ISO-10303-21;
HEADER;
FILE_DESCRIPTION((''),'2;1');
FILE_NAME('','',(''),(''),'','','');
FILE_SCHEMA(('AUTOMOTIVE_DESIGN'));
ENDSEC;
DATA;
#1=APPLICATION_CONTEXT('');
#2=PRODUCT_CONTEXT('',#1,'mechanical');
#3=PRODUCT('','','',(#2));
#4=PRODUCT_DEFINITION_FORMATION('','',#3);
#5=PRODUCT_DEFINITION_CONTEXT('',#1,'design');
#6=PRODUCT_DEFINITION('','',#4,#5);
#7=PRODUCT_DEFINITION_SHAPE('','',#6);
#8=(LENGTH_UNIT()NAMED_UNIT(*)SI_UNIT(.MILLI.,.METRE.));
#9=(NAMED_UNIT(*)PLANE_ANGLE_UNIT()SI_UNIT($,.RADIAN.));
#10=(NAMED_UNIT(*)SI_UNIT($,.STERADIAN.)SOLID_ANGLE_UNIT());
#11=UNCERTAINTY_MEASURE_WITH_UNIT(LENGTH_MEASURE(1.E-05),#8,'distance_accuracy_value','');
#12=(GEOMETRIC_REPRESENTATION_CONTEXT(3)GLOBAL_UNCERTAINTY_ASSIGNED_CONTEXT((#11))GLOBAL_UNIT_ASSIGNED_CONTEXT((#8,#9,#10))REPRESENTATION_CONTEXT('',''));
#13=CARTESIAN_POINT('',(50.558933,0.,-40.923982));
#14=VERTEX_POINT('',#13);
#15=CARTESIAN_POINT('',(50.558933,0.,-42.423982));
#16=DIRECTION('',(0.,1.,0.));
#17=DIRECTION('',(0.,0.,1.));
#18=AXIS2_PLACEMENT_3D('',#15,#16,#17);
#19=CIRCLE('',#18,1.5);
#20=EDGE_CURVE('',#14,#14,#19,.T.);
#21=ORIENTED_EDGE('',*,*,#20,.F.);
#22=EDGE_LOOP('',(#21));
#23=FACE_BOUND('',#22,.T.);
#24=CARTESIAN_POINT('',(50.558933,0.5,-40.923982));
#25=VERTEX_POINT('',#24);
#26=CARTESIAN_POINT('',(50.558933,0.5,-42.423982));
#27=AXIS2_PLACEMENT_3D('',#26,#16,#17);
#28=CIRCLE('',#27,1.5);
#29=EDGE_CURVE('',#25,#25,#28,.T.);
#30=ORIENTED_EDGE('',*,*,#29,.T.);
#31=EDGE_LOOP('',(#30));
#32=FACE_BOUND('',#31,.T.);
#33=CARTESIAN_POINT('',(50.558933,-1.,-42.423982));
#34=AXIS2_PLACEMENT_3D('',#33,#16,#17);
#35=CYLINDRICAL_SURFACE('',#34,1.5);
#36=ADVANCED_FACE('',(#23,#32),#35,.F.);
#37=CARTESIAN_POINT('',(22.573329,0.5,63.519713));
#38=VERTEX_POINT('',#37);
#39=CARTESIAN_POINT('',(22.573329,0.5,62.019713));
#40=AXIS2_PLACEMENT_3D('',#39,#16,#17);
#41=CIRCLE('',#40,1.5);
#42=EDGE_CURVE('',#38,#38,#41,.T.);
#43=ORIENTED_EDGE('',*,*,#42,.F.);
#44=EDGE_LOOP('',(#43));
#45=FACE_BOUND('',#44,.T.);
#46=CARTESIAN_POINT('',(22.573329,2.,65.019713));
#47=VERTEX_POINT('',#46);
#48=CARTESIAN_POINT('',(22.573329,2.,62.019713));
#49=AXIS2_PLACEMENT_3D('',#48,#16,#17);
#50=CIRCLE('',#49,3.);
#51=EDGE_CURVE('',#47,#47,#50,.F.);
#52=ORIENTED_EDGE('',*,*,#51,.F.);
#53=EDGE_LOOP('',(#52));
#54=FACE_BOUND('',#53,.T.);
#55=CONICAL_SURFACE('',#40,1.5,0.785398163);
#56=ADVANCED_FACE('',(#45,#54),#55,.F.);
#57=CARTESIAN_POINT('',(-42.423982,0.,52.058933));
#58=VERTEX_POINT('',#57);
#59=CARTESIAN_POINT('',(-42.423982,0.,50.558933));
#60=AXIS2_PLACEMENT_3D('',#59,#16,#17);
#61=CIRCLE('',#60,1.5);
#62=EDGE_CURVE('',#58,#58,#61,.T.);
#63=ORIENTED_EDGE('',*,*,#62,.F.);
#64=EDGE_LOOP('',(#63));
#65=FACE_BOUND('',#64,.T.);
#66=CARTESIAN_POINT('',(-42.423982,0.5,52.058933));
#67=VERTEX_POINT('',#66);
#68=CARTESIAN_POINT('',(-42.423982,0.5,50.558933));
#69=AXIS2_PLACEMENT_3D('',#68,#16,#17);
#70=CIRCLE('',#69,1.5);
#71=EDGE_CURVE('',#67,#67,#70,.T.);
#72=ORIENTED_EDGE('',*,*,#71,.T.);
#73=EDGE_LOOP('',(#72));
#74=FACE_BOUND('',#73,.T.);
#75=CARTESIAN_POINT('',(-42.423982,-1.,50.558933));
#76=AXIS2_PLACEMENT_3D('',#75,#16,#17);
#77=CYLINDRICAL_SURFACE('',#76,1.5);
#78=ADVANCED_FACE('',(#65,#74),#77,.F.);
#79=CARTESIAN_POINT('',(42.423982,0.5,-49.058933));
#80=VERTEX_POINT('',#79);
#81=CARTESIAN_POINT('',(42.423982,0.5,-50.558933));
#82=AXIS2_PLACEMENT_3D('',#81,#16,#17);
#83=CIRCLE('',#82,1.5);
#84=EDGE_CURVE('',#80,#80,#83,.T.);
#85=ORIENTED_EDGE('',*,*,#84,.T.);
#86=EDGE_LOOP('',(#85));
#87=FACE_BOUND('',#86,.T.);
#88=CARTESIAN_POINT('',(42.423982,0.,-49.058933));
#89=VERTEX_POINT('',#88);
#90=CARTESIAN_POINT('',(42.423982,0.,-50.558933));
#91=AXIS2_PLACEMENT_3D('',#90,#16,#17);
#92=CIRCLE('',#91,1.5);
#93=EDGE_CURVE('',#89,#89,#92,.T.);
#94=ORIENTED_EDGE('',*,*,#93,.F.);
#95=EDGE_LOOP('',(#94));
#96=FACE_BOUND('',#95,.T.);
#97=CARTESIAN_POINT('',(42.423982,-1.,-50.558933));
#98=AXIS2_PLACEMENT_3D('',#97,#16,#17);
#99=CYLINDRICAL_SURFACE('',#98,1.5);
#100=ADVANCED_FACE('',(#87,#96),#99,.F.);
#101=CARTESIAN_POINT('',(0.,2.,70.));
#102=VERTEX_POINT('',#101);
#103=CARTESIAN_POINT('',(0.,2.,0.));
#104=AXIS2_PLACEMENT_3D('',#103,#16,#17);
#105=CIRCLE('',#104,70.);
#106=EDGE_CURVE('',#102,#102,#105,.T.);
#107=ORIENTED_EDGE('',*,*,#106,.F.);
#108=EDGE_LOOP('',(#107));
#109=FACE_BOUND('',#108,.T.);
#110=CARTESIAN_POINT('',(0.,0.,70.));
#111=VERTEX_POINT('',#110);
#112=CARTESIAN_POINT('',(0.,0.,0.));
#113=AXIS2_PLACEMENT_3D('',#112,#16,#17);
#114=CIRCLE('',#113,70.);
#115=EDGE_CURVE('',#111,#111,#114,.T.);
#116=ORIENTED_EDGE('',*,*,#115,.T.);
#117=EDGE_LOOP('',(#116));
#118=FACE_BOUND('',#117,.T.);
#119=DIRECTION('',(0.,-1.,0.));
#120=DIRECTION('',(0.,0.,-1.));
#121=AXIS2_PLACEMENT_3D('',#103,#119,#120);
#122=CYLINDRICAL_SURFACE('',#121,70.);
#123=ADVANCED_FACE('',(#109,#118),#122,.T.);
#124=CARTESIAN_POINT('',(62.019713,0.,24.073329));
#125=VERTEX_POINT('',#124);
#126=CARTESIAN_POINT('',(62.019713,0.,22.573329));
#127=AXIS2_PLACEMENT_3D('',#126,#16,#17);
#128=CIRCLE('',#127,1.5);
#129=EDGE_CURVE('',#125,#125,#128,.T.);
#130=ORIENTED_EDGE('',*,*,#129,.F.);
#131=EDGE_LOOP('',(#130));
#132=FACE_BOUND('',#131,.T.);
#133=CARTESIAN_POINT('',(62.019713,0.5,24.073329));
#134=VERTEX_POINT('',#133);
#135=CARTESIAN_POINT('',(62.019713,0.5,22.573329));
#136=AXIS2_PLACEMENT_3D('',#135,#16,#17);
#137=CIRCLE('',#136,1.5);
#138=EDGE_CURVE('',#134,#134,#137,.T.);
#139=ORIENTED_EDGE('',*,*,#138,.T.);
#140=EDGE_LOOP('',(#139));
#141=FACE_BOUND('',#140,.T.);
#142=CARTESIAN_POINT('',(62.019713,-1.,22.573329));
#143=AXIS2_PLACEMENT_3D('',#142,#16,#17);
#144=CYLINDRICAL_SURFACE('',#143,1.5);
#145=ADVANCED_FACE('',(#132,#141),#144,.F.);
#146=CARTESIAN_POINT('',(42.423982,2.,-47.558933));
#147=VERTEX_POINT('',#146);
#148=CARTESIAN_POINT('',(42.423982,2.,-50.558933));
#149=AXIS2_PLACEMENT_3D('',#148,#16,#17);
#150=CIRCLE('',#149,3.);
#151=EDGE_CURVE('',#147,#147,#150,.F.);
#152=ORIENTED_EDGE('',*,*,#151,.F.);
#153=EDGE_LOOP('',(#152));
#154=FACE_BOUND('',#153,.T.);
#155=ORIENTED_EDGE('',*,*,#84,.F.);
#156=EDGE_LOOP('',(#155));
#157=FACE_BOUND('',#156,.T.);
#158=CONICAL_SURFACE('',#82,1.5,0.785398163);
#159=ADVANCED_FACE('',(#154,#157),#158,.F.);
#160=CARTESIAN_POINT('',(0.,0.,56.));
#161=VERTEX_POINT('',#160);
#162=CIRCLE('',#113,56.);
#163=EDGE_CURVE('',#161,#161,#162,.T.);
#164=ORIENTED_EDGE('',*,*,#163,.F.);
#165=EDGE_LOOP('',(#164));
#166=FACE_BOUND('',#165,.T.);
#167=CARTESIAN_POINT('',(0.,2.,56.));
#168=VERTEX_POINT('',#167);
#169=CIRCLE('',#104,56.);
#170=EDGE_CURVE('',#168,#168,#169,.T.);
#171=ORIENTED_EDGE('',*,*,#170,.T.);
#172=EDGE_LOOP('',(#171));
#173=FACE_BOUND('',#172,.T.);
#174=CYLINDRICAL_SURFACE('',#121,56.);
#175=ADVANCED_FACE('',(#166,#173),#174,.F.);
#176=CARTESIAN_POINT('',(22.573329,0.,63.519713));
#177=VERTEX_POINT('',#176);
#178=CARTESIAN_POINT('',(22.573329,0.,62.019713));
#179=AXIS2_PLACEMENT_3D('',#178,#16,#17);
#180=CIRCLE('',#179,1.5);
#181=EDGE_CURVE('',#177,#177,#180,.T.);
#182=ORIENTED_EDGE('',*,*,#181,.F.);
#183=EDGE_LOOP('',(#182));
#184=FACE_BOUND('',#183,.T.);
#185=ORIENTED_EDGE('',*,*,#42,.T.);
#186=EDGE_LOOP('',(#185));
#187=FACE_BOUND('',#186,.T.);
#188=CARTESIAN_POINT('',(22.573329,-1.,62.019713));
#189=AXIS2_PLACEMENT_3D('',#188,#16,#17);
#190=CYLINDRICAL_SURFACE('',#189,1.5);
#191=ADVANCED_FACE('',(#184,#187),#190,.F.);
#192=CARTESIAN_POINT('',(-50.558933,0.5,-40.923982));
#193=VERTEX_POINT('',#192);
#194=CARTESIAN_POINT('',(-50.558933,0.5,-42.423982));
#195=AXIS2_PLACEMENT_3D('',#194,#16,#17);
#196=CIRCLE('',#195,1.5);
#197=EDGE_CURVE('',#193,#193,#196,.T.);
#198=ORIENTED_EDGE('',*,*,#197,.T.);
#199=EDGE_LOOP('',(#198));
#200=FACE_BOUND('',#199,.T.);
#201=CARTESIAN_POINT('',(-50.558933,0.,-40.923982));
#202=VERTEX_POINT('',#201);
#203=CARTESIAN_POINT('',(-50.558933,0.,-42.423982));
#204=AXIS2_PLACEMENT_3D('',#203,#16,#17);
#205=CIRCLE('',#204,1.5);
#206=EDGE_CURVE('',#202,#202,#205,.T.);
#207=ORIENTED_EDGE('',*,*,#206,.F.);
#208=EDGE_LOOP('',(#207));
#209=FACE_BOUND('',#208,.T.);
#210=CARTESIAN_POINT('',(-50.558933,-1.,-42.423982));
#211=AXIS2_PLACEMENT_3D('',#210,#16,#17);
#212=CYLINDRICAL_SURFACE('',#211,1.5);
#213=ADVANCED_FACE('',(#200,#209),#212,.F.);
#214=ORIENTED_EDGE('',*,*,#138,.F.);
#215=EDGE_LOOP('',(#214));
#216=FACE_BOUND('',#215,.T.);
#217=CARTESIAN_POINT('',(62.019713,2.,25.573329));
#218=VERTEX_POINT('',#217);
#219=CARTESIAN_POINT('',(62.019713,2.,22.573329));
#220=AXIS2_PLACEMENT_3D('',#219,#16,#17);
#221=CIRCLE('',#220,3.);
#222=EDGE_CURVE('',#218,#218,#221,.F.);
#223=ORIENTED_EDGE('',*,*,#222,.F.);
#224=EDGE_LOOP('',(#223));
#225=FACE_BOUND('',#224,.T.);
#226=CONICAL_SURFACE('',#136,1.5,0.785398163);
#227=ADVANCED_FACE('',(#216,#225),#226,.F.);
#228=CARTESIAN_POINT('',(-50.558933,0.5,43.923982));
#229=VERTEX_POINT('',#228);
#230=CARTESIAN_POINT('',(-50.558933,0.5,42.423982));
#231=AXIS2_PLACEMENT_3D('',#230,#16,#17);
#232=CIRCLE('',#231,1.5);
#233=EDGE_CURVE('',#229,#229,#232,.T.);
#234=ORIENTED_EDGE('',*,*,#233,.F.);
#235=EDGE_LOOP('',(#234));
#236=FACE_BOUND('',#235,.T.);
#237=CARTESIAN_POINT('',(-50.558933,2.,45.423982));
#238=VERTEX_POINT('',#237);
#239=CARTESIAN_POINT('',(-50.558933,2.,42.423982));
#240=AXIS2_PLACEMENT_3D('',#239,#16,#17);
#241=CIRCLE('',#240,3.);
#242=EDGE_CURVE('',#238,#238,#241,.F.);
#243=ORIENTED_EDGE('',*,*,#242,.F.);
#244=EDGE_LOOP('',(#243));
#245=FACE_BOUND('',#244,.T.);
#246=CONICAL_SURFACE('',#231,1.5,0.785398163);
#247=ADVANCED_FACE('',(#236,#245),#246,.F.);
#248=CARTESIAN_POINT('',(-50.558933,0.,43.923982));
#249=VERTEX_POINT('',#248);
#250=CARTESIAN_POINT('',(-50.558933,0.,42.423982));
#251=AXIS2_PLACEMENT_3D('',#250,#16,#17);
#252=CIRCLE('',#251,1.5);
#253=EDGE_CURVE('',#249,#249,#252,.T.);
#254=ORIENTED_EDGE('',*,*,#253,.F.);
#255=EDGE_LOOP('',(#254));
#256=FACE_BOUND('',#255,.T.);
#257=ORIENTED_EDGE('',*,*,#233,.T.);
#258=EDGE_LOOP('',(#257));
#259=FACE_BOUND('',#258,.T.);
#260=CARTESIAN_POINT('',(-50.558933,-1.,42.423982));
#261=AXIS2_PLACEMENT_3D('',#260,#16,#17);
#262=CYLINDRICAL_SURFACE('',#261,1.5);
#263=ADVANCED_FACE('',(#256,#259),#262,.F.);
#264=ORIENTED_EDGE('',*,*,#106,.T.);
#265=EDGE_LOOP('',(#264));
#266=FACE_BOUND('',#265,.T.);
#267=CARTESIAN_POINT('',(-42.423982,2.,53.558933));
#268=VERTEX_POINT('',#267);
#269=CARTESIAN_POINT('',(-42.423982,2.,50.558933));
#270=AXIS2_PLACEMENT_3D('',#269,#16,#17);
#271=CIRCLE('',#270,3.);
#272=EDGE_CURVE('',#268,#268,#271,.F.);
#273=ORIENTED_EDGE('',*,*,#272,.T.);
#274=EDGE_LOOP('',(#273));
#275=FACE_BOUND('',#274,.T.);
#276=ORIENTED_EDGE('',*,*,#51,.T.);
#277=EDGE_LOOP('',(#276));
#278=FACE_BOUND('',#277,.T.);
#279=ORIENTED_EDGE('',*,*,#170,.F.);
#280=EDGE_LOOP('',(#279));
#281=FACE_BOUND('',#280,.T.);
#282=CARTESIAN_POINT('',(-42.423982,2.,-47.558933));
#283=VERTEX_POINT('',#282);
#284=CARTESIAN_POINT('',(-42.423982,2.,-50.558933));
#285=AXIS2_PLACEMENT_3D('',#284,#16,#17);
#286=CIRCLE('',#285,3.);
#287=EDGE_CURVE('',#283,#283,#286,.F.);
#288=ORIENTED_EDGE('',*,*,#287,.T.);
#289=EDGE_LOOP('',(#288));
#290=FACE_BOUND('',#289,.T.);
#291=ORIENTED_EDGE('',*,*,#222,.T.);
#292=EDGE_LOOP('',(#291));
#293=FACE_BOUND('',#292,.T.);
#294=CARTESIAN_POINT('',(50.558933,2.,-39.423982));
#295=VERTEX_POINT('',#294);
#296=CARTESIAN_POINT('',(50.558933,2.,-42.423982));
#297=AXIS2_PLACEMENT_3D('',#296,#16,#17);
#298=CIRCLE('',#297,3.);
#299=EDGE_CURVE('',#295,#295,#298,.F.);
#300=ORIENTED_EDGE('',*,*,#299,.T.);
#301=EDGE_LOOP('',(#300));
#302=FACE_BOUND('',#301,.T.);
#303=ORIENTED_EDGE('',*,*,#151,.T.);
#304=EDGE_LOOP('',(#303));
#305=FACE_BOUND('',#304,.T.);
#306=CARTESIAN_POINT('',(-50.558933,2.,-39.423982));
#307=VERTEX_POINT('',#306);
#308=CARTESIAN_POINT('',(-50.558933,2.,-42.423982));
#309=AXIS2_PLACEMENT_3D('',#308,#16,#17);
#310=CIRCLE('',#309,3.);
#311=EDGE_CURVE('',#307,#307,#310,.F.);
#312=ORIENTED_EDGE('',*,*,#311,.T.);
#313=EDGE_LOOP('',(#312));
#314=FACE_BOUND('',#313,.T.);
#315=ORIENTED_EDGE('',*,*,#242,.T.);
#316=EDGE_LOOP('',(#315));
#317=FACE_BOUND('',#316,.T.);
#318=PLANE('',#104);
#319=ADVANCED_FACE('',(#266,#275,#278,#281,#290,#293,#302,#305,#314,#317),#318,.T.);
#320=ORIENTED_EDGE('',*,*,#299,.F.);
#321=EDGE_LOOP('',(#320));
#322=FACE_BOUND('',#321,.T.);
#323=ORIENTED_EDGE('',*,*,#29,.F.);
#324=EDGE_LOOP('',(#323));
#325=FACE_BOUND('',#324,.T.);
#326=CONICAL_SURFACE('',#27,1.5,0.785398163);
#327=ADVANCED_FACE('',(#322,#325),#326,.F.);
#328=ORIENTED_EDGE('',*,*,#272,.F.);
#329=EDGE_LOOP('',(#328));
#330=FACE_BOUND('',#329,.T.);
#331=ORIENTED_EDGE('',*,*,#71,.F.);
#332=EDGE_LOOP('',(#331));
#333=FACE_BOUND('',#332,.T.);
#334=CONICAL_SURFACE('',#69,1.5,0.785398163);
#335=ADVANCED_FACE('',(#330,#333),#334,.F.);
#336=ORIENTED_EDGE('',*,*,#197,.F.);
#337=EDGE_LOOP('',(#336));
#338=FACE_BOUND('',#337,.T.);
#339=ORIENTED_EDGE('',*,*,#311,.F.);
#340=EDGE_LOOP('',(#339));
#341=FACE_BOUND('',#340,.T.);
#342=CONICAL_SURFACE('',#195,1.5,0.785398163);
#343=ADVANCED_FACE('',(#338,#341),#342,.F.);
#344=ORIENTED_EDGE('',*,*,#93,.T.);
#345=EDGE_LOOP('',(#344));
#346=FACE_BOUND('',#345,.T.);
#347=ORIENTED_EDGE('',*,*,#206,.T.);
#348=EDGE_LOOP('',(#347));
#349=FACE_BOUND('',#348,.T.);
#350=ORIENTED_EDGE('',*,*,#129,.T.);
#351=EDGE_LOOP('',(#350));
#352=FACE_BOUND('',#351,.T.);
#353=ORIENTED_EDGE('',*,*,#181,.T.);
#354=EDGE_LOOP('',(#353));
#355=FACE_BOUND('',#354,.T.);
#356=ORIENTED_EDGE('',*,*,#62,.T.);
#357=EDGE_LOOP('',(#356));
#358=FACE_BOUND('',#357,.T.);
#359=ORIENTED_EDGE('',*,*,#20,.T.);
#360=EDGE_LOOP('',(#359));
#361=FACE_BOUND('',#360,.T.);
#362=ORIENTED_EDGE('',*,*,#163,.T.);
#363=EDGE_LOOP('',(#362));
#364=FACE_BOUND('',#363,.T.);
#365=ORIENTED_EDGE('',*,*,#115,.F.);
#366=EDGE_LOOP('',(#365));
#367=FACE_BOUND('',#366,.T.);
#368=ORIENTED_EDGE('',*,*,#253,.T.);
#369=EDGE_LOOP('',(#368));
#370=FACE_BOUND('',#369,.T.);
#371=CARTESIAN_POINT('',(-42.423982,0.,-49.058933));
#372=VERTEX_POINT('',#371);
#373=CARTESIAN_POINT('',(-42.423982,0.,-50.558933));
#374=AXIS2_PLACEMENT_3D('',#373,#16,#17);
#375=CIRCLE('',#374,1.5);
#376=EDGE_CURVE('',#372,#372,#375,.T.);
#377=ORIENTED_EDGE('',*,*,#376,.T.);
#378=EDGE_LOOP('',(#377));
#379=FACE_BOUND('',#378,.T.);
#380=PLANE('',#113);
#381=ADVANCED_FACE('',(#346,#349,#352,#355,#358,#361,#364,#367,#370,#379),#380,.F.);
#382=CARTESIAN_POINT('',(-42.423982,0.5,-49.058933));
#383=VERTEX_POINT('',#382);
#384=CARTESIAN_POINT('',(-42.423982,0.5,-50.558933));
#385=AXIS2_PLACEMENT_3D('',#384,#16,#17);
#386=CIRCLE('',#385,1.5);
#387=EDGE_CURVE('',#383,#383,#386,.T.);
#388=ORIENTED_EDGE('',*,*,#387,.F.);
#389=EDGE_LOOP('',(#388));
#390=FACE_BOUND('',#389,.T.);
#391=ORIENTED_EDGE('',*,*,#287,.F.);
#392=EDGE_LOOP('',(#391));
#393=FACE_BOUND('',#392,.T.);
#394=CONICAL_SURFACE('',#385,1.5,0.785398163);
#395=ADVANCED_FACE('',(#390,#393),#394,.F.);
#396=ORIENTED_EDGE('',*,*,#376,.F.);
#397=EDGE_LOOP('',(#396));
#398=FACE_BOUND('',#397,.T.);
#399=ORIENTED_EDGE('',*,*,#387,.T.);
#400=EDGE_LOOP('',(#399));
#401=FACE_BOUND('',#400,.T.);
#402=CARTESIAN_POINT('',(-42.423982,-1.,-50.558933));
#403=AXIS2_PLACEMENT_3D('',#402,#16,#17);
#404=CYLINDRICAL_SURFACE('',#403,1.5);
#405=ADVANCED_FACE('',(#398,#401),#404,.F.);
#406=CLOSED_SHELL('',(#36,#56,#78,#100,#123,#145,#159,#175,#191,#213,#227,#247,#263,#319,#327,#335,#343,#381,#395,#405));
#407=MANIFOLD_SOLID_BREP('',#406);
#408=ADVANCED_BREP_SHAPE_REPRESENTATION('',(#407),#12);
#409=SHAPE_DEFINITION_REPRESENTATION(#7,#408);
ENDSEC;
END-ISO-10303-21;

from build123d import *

# Parameters (mm, degrees)
SKETCH_1_R          = 70
SKETCH_1_R_2        = 56
EXTRUDE_1_DEPTH     = 2
SKETCH_2_R          = 1.5
CUT_EXTRUDE_1_DEPTH = 3
CHAMFER_1_SIZE      = 1.5


with BuildPart() as part:
    # 草图1 → 凸台-拉伸1 (new body)
    with BuildSketch(Plane(origin=(0, 0, 0), x_dir=(1, 0, 0), z_dir=(0, 1, 0))):
        with Locations(Location((0, 0, 0), (0, 0, 270))):
            Circle(SKETCH_1_R)
        with Locations(Location((0, 0, 0), (0, 0, 270))):
            Circle(SKETCH_1_R_2, mode=Mode.SUBTRACT)
    extrude(amount=EXTRUDE_1_DEPTH)

    # 草图2 → 切除-拉伸1 (cut)
    with BuildSketch(Plane(origin=(0, 2, 0), x_dir=(1, 0, 0), z_dir=(0, 1, 0))):
        with Locations(Location((42.423982239, 50.558933246, 0), (0, 0, 270))):
            Circle(SKETCH_2_R)
        with Locations(Location((50.558933246, 42.423982239, 0), (0, 0, 270))):
            Circle(SKETCH_2_R)
        with Locations(Location((-50.558933246, 42.423982239, 0), (0, 0, 270))):
            Circle(SKETCH_2_R)
        with Locations(Location((-42.423982239, 50.558933246, 0), (0, 0, 270))):
            Circle(SKETCH_2_R)
        with Locations(Location((-50.558933246, -42.423982239, 0), (0, 0, 270))):
            Circle(SKETCH_2_R)
        with Locations(Location((-42.423982239, -50.558933246, 0), (0, 0, 270))):
            Circle(SKETCH_2_R)
        with Locations(Location((22.573329459, -62.019712972, 0), (0, 0, 270))):
            Circle(SKETCH_2_R)
        with Locations(Location((62.019712972, -22.573329459, 0), (0, 0, 270))):
            Circle(SKETCH_2_R)
    extrude(amount=-CUT_EXTRUDE_1_DEPTH, mode=Mode.SUBTRACT)

    # 倒角1
    chamfer_1_edges = [part.edges().sort_by_distance(p)[0] for p in [
        (50.558933246, 2, -43.923982239),
        (22.573329459, 2, 60.519712972),
        (-50.558933246, 2, -43.923982239),
        (-42.423982239, 2, -52.058933246),
        (-50.558933246, 2, 40.923982239),
        (-42.423982239, 2, 49.058933246),
        (62.019712972, 2, 21.073329459),
        (42.423982239, 2, -52.058933246),
    ]]
    chamfer(chamfer_1_edges, length=CHAMFER_1_SIZE)


solid = part.part
